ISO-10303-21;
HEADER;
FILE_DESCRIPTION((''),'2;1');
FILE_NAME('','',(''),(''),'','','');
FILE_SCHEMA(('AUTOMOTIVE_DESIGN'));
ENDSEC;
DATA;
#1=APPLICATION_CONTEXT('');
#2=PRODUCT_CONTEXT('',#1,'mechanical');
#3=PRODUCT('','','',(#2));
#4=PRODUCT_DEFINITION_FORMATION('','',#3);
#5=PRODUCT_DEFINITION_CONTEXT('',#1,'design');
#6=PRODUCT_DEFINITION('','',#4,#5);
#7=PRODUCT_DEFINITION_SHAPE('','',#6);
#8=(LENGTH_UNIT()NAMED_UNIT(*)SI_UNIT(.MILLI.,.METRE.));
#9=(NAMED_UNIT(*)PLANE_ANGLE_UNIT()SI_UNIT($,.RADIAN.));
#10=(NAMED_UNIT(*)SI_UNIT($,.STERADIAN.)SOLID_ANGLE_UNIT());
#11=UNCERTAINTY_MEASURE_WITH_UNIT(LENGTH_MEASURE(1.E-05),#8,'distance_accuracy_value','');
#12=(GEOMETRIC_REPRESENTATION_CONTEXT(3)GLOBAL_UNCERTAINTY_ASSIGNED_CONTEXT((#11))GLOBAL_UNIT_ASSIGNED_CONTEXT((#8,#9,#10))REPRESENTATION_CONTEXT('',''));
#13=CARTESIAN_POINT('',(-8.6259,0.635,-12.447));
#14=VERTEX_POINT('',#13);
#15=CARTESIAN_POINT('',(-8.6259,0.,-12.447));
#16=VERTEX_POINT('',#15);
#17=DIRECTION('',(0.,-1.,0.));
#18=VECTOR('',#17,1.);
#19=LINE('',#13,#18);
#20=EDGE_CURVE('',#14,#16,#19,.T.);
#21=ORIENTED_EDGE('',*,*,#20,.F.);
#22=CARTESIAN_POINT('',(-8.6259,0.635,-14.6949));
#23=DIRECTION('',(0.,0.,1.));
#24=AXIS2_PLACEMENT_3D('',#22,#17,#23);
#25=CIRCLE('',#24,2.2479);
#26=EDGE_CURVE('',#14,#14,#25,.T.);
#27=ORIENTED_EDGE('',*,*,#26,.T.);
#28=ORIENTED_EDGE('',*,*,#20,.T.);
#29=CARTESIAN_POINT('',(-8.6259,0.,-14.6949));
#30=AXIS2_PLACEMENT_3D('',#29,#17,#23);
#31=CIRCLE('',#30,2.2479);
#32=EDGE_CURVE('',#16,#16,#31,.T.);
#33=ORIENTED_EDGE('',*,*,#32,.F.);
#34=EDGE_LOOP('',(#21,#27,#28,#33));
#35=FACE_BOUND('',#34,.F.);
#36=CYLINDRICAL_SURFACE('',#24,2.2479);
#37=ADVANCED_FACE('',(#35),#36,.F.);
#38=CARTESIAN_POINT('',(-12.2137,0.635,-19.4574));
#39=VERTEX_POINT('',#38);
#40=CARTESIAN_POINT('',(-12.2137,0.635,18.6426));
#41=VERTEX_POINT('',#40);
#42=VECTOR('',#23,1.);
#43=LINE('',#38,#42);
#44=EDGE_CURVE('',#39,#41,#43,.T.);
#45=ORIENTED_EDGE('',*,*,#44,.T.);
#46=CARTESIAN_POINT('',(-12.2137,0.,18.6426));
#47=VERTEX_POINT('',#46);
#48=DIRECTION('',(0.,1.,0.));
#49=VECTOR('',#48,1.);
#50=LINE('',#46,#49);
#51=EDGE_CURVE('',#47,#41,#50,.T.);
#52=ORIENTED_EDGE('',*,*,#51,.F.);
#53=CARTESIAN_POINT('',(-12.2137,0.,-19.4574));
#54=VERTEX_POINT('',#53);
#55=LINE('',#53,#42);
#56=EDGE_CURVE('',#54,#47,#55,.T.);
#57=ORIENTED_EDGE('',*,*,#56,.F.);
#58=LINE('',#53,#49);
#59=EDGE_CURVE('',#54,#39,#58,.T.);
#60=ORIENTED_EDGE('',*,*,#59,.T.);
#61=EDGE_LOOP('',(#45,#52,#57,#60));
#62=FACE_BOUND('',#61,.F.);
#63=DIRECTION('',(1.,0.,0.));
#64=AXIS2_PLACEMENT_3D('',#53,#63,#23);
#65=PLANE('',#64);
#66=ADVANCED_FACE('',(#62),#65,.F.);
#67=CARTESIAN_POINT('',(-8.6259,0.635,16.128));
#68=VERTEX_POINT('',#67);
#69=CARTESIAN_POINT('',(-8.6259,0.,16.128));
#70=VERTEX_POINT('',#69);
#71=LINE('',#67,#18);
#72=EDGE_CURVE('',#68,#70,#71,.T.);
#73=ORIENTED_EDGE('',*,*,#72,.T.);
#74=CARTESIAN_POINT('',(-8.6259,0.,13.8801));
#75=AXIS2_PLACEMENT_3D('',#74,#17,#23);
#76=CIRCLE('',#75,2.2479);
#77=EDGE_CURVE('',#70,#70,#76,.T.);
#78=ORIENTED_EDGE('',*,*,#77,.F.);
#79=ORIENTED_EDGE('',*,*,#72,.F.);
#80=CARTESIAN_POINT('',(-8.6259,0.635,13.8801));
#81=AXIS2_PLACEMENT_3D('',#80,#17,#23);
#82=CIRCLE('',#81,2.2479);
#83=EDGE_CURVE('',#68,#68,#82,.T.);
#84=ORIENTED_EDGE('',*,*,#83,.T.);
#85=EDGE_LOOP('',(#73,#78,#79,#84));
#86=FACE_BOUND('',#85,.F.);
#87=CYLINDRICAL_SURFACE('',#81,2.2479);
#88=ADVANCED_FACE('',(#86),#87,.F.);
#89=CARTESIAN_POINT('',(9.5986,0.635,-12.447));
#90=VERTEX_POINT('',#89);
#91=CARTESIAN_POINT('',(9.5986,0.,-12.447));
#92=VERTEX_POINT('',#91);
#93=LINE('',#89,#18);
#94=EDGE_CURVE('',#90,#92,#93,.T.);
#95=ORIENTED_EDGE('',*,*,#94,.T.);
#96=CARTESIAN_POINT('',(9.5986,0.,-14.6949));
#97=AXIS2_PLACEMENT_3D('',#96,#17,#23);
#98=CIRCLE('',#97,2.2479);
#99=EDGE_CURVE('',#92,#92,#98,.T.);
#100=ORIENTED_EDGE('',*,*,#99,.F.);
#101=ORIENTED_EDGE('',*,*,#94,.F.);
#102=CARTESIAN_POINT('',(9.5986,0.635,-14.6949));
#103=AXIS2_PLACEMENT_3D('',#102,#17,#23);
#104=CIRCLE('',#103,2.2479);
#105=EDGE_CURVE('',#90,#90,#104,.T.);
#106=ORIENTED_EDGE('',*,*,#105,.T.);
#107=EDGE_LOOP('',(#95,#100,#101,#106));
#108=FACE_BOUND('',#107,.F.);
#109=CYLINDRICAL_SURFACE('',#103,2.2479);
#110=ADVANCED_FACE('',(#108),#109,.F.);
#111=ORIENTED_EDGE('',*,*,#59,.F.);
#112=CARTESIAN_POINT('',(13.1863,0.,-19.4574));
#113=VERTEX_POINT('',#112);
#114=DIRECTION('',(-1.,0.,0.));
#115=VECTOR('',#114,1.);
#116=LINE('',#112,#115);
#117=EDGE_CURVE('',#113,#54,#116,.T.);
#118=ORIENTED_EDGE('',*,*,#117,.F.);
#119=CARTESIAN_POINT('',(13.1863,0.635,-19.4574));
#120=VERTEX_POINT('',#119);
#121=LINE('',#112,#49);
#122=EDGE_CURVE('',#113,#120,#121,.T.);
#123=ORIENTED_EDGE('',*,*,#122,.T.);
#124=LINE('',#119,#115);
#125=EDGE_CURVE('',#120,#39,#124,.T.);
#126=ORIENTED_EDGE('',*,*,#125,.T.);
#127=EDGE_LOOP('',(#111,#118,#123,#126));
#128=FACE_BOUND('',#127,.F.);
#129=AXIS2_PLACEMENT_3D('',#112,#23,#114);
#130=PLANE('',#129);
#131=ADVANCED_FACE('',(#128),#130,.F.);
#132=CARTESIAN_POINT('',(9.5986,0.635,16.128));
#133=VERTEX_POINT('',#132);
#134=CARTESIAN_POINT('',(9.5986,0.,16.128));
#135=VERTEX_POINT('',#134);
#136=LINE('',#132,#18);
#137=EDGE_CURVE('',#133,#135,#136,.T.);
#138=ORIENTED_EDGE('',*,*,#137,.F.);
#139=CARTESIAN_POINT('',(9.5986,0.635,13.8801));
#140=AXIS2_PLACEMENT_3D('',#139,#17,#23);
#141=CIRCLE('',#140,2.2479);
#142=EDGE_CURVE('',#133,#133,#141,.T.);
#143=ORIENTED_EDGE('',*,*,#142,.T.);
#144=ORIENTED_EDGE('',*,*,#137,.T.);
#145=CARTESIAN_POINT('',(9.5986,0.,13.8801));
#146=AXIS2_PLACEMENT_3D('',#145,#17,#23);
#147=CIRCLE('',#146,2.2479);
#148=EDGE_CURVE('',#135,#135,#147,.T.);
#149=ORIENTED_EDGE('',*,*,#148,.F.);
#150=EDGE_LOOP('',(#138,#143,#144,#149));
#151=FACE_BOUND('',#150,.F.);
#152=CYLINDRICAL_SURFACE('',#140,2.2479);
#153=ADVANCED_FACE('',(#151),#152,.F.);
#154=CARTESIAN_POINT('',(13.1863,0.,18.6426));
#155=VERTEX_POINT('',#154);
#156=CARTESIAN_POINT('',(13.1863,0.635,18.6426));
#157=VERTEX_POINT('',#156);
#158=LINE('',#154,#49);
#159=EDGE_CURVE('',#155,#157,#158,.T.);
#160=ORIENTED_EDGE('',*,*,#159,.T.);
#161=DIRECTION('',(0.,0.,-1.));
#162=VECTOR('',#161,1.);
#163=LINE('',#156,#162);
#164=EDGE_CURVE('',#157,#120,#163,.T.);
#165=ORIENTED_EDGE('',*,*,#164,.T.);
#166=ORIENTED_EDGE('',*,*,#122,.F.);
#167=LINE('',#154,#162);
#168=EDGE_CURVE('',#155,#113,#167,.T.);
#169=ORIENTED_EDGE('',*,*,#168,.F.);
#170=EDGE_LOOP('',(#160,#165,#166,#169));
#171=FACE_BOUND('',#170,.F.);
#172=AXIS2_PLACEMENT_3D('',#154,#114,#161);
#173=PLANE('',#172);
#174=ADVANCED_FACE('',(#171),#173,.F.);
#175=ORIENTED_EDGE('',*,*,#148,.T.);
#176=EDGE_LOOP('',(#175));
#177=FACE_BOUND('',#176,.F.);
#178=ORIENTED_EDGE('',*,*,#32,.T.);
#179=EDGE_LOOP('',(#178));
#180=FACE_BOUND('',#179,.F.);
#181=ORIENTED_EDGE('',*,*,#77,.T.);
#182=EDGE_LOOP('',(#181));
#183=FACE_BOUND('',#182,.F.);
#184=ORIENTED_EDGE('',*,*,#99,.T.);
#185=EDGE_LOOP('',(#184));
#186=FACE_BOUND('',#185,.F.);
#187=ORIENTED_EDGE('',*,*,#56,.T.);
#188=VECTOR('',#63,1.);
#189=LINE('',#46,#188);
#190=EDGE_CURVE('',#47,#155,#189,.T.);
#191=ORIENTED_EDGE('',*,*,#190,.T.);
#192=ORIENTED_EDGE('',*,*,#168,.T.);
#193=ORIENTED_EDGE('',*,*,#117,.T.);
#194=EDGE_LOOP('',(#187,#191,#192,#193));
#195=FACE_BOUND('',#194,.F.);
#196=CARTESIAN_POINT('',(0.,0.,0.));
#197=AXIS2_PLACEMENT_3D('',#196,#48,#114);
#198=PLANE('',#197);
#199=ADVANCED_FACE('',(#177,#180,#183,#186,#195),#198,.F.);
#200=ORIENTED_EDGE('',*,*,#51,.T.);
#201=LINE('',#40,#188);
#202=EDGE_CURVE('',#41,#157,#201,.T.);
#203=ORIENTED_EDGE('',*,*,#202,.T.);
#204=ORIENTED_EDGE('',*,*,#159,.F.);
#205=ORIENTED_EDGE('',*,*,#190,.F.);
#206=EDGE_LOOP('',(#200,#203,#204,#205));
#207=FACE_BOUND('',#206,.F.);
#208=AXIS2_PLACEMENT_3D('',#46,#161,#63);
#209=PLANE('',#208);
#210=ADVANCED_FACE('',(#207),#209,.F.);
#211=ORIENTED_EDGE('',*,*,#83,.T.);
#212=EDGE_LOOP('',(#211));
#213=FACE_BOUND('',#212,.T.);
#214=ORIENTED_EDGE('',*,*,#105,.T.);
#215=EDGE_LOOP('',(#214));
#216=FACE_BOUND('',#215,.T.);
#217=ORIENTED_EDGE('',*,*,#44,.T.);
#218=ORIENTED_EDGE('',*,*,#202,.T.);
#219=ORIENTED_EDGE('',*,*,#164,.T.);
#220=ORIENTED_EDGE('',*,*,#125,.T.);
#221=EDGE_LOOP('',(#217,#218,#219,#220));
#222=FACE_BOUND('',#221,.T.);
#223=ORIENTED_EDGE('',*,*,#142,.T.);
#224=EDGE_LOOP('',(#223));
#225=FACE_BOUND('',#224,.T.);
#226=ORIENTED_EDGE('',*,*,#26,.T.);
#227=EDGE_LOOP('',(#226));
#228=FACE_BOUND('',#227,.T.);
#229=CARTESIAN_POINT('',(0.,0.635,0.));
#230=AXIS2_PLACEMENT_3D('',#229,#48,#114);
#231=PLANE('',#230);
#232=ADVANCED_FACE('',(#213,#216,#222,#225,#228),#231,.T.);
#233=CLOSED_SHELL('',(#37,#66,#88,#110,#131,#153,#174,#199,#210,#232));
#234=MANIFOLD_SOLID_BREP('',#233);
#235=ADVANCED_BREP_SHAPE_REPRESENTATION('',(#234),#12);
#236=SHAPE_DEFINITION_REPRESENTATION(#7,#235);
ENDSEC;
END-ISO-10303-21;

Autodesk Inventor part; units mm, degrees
ref_plane "YZ Plane" through (0, 0, 0) normal (1, 0, 0) x (0, 1, 0)
ref_plane "XZ Plane" through (0, 0, 0) normal (0, 1, 0) x (-1, 0, 0)
ref_plane "XY Plane" through (0, 0, 0) normal (0, 0, 1) x (1, 0, 0)
sketch "Sketch1" plane through (0, 0, 0) normal (0, 1, 0) x (-1, 0, 0)
  line L0 (12.2137, 18.6426) -> (-13.1863, 18.6426)
  line L1 (-13.1863, 18.6426) -> (-13.1863, -19.4574)
  line L2 (-13.1863, -19.4574) -> (12.2137, -19.4574)
  line L3 (12.2137, -19.4574) -> (12.2137, 18.6426)
  point P0 (0, 0)
  dimension "d0" = 25.4
  dimension "d1" = 38.1
extrude "Extrusion1" add sketch "Sketch1" along normal blind 0.635
hole "Hole1" at (9.5986, 0.635, 13.8801) direction (0, -1, 0) diameter 4.4958 depth 0.635 clearance for "Flat Head Machine Screw (82)" size "#8" standard "Ansi Unified Screw Threads"
hole "Hole2" at (-8.6259, 0.635, 13.8801) direction (0, -1, 0) diameter 4.4958 depth 0.635 clearance for "Flat Head Machine Screw (82)" size "#8" standard "Ansi Unified Screw Threads"
hole "Hole3" at (-8.6259, 0.635, -14.6949) direction (0, -1, 0) diameter 4.4958 depth 0.635 clearance for "Flat Head Machine Screw (82)" size "#8" standard "Ansi Unified Screw Threads"
hole "Hole4" at (9.5986, 0.635, -14.6949) direction (0, -1, 0) diameter 4.4958 depth 0.635 clearance for "Flat Head Machine Screw (82)" size "#8" standard "Ansi Unified Screw Threads"
properties part number "Shielding"
